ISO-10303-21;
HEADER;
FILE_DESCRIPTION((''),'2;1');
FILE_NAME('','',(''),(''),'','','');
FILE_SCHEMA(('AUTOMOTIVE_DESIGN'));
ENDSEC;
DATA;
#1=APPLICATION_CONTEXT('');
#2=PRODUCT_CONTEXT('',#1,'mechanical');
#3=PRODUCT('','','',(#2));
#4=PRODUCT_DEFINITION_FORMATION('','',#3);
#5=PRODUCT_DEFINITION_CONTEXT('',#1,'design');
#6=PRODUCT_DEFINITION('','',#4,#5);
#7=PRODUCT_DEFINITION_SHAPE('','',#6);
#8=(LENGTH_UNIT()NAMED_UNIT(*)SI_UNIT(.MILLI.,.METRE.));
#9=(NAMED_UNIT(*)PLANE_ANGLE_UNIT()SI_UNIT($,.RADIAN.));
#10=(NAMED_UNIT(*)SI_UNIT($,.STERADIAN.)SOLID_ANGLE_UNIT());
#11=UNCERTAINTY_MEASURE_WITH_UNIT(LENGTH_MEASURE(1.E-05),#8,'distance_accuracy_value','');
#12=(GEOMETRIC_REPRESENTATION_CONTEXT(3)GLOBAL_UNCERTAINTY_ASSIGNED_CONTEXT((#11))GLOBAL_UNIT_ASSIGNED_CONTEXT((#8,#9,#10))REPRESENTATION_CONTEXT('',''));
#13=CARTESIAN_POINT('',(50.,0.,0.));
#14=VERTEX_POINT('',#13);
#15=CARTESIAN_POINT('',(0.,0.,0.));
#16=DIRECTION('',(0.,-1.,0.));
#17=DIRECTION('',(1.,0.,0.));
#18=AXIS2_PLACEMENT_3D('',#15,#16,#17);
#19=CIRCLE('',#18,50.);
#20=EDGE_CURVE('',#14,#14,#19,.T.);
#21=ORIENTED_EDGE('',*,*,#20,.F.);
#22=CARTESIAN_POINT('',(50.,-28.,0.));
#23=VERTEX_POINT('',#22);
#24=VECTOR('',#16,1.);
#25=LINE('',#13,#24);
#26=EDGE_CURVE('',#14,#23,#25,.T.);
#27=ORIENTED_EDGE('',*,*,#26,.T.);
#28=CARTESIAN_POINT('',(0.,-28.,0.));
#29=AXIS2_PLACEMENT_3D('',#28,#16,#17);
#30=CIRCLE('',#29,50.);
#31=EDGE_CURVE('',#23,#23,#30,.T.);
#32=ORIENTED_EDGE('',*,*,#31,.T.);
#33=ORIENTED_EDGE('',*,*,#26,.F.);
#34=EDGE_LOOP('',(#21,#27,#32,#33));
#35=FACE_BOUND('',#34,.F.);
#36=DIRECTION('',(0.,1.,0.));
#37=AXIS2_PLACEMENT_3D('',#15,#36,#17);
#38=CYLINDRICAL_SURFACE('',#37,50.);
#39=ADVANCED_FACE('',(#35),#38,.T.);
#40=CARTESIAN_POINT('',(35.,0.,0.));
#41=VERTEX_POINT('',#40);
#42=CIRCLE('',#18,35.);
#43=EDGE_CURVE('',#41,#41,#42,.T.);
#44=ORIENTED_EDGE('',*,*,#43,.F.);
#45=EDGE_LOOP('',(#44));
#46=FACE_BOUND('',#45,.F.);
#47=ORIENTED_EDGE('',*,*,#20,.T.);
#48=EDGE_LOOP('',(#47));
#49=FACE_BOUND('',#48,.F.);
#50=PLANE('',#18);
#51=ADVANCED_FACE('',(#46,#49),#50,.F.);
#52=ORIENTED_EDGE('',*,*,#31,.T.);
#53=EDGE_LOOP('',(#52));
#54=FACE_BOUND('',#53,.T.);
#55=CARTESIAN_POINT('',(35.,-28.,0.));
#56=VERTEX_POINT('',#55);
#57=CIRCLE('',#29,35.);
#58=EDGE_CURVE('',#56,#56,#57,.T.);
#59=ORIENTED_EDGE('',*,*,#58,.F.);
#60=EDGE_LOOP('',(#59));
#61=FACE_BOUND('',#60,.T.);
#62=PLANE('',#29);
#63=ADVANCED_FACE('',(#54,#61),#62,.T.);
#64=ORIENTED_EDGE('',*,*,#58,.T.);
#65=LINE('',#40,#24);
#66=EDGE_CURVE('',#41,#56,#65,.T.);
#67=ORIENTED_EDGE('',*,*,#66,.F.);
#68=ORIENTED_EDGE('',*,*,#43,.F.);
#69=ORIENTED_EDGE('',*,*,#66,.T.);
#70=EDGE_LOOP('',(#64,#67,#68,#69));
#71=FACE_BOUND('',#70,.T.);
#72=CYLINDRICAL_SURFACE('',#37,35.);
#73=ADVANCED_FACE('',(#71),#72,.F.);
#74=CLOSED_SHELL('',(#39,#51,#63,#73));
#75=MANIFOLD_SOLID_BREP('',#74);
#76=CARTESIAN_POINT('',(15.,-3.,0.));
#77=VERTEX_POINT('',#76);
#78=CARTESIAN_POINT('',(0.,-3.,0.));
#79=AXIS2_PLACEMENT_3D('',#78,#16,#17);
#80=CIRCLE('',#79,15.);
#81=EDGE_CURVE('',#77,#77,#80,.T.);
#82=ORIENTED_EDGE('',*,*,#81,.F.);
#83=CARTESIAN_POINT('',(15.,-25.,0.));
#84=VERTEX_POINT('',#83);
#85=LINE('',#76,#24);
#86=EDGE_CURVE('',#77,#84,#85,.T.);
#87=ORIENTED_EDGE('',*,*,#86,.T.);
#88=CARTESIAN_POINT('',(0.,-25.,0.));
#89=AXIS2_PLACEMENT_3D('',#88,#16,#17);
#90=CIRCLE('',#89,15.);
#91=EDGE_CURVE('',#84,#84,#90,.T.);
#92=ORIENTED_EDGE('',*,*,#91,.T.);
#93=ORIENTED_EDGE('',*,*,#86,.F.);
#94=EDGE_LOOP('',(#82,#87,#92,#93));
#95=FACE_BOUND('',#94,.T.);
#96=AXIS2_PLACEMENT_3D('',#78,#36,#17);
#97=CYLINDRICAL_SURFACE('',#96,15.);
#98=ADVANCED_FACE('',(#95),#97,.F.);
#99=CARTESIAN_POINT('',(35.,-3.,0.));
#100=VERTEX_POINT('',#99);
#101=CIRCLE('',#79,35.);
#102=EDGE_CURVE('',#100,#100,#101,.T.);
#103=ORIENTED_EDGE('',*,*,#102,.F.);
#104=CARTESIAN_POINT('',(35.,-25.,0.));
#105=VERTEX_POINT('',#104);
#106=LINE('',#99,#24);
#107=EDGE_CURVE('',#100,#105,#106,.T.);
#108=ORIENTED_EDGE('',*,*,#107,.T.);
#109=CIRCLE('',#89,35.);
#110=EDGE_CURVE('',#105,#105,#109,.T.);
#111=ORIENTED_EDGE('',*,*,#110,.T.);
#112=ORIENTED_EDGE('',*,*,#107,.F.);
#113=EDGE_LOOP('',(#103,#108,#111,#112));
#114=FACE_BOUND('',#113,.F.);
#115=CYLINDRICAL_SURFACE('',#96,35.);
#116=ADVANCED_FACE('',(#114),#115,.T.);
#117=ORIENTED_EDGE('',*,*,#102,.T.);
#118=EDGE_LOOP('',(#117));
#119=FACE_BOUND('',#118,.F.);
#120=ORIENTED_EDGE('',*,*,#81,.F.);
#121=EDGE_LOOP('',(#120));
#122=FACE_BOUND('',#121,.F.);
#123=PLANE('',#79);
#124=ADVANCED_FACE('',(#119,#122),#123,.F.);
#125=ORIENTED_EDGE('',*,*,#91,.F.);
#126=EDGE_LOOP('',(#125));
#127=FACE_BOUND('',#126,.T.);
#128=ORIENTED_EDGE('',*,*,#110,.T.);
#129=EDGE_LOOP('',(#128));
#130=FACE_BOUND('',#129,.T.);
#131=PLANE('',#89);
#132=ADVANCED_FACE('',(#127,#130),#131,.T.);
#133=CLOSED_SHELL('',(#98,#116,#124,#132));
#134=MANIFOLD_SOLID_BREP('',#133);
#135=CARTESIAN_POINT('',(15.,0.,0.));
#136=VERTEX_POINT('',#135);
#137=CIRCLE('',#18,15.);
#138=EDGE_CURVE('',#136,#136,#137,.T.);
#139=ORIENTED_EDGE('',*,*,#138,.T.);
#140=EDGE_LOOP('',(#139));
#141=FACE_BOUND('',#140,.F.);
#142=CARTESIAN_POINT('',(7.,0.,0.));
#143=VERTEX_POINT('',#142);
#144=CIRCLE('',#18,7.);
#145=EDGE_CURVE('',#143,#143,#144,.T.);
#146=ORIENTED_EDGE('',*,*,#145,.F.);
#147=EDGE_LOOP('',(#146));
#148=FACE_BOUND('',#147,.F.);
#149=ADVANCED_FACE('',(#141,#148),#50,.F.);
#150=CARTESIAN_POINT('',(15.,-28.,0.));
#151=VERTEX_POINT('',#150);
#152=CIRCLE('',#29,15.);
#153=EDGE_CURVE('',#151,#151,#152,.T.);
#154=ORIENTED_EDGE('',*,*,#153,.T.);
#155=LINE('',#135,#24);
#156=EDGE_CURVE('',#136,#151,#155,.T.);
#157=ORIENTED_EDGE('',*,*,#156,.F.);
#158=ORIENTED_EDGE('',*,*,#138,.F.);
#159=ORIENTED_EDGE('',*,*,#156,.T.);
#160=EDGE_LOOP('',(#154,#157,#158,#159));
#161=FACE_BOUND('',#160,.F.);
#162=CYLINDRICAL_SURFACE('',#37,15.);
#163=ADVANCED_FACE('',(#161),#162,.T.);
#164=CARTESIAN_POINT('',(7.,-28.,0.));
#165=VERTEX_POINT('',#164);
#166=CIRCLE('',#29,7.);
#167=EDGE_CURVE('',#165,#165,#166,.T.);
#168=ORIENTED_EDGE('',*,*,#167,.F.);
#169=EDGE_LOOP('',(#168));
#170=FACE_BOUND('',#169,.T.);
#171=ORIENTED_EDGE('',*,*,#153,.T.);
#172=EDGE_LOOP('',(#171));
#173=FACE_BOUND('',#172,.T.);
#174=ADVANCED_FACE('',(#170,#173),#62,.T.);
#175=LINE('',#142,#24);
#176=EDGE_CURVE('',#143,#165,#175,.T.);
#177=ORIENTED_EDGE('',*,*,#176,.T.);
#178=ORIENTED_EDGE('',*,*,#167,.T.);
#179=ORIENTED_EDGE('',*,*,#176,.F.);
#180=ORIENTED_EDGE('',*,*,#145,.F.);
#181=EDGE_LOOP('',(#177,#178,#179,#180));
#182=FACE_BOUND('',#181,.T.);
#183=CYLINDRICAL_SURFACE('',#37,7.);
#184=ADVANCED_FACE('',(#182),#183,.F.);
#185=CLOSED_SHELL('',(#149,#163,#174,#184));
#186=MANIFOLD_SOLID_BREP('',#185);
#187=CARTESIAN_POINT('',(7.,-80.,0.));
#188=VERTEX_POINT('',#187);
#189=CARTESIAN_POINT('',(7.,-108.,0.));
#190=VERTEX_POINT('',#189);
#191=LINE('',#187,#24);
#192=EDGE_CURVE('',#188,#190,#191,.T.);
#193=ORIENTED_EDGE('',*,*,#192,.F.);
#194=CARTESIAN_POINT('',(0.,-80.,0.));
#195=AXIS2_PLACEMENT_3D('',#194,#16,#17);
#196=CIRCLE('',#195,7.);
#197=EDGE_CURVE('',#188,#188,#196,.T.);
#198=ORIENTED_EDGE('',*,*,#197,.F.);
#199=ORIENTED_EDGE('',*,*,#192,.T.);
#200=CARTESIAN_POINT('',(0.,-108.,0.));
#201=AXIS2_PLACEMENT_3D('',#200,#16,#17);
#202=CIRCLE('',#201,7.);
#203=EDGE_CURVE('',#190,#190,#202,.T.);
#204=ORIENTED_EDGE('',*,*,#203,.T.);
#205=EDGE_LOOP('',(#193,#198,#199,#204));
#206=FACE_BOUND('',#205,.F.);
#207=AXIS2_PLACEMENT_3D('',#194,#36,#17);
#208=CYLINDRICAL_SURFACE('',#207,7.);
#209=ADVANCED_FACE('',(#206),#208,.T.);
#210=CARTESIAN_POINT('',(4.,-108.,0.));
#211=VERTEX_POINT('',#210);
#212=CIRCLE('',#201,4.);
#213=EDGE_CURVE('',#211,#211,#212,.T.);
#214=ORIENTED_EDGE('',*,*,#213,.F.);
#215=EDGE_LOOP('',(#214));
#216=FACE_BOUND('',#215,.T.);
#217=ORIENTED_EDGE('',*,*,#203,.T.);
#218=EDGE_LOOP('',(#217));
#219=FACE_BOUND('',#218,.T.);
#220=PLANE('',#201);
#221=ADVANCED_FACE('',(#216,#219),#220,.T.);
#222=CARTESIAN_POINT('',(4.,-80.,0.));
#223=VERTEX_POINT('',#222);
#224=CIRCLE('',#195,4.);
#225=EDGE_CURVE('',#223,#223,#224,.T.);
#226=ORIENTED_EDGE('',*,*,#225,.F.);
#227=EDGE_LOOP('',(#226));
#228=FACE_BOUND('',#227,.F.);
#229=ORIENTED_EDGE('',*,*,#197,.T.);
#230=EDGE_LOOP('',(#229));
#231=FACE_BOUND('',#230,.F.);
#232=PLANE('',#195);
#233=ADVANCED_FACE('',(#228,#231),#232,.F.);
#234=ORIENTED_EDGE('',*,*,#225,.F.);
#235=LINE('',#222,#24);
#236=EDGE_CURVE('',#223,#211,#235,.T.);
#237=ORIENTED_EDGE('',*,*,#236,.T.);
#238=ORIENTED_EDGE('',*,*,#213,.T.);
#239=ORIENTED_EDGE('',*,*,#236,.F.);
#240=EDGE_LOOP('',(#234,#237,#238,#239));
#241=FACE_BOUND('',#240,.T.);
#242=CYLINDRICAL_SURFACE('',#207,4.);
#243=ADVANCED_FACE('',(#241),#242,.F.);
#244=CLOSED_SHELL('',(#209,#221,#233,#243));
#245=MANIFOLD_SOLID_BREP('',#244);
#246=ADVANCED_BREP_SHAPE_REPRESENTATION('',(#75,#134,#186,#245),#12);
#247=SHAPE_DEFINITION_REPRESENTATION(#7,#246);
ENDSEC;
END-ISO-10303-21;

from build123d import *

# Parameters (mm, degrees)
F0_R      = 15
F0_R_2    = 7
F1_DEPTH  = 28
F2_R      = 50
F2_R_2    = 35
F3_DEPTH  = 28
F6_R      = 35
F6_R_2    = 15
F7_DEPTH  = 22
F9_R      = 7
F9_R_2    = 4
F10_DEPTH = 28


with BuildPart() as f1:
    # F0 (on Front) → F1 (new body)
    with BuildSketch(Plane.XZ):
        Circle(F0_R)
        Circle(F0_R_2, mode=Mode.SUBTRACT)
    extrude(amount=F1_DEPTH)


with BuildPart() as f3:
    # F2 (on Front) → F3 (new body)
    with BuildSketch(Plane.XZ):
        Circle(F2_R)
        Circle(F2_R_2, mode=Mode.SUBTRACT)
    extrude(amount=F3_DEPTH)


with BuildPart() as f7:
    # F6 (on offset) → F7 (new body)
    with BuildSketch(Plane.XZ.offset(3)):
        Circle(F6_R)
        Circle(F6_R_2, mode=Mode.SUBTRACT)
    extrude(amount=F7_DEPTH)


with BuildPart() as f10:
    # F9 (on offset) → F10 (new body)
    with BuildSketch(Plane.XZ.offset(80)):
        Circle(F9_R)
        Circle(F9_R_2, mode=Mode.SUBTRACT)
    extrude(amount=F10_DEPTH)


solid = Compound([f1.part, f3.part, f7.part, f10.part])
